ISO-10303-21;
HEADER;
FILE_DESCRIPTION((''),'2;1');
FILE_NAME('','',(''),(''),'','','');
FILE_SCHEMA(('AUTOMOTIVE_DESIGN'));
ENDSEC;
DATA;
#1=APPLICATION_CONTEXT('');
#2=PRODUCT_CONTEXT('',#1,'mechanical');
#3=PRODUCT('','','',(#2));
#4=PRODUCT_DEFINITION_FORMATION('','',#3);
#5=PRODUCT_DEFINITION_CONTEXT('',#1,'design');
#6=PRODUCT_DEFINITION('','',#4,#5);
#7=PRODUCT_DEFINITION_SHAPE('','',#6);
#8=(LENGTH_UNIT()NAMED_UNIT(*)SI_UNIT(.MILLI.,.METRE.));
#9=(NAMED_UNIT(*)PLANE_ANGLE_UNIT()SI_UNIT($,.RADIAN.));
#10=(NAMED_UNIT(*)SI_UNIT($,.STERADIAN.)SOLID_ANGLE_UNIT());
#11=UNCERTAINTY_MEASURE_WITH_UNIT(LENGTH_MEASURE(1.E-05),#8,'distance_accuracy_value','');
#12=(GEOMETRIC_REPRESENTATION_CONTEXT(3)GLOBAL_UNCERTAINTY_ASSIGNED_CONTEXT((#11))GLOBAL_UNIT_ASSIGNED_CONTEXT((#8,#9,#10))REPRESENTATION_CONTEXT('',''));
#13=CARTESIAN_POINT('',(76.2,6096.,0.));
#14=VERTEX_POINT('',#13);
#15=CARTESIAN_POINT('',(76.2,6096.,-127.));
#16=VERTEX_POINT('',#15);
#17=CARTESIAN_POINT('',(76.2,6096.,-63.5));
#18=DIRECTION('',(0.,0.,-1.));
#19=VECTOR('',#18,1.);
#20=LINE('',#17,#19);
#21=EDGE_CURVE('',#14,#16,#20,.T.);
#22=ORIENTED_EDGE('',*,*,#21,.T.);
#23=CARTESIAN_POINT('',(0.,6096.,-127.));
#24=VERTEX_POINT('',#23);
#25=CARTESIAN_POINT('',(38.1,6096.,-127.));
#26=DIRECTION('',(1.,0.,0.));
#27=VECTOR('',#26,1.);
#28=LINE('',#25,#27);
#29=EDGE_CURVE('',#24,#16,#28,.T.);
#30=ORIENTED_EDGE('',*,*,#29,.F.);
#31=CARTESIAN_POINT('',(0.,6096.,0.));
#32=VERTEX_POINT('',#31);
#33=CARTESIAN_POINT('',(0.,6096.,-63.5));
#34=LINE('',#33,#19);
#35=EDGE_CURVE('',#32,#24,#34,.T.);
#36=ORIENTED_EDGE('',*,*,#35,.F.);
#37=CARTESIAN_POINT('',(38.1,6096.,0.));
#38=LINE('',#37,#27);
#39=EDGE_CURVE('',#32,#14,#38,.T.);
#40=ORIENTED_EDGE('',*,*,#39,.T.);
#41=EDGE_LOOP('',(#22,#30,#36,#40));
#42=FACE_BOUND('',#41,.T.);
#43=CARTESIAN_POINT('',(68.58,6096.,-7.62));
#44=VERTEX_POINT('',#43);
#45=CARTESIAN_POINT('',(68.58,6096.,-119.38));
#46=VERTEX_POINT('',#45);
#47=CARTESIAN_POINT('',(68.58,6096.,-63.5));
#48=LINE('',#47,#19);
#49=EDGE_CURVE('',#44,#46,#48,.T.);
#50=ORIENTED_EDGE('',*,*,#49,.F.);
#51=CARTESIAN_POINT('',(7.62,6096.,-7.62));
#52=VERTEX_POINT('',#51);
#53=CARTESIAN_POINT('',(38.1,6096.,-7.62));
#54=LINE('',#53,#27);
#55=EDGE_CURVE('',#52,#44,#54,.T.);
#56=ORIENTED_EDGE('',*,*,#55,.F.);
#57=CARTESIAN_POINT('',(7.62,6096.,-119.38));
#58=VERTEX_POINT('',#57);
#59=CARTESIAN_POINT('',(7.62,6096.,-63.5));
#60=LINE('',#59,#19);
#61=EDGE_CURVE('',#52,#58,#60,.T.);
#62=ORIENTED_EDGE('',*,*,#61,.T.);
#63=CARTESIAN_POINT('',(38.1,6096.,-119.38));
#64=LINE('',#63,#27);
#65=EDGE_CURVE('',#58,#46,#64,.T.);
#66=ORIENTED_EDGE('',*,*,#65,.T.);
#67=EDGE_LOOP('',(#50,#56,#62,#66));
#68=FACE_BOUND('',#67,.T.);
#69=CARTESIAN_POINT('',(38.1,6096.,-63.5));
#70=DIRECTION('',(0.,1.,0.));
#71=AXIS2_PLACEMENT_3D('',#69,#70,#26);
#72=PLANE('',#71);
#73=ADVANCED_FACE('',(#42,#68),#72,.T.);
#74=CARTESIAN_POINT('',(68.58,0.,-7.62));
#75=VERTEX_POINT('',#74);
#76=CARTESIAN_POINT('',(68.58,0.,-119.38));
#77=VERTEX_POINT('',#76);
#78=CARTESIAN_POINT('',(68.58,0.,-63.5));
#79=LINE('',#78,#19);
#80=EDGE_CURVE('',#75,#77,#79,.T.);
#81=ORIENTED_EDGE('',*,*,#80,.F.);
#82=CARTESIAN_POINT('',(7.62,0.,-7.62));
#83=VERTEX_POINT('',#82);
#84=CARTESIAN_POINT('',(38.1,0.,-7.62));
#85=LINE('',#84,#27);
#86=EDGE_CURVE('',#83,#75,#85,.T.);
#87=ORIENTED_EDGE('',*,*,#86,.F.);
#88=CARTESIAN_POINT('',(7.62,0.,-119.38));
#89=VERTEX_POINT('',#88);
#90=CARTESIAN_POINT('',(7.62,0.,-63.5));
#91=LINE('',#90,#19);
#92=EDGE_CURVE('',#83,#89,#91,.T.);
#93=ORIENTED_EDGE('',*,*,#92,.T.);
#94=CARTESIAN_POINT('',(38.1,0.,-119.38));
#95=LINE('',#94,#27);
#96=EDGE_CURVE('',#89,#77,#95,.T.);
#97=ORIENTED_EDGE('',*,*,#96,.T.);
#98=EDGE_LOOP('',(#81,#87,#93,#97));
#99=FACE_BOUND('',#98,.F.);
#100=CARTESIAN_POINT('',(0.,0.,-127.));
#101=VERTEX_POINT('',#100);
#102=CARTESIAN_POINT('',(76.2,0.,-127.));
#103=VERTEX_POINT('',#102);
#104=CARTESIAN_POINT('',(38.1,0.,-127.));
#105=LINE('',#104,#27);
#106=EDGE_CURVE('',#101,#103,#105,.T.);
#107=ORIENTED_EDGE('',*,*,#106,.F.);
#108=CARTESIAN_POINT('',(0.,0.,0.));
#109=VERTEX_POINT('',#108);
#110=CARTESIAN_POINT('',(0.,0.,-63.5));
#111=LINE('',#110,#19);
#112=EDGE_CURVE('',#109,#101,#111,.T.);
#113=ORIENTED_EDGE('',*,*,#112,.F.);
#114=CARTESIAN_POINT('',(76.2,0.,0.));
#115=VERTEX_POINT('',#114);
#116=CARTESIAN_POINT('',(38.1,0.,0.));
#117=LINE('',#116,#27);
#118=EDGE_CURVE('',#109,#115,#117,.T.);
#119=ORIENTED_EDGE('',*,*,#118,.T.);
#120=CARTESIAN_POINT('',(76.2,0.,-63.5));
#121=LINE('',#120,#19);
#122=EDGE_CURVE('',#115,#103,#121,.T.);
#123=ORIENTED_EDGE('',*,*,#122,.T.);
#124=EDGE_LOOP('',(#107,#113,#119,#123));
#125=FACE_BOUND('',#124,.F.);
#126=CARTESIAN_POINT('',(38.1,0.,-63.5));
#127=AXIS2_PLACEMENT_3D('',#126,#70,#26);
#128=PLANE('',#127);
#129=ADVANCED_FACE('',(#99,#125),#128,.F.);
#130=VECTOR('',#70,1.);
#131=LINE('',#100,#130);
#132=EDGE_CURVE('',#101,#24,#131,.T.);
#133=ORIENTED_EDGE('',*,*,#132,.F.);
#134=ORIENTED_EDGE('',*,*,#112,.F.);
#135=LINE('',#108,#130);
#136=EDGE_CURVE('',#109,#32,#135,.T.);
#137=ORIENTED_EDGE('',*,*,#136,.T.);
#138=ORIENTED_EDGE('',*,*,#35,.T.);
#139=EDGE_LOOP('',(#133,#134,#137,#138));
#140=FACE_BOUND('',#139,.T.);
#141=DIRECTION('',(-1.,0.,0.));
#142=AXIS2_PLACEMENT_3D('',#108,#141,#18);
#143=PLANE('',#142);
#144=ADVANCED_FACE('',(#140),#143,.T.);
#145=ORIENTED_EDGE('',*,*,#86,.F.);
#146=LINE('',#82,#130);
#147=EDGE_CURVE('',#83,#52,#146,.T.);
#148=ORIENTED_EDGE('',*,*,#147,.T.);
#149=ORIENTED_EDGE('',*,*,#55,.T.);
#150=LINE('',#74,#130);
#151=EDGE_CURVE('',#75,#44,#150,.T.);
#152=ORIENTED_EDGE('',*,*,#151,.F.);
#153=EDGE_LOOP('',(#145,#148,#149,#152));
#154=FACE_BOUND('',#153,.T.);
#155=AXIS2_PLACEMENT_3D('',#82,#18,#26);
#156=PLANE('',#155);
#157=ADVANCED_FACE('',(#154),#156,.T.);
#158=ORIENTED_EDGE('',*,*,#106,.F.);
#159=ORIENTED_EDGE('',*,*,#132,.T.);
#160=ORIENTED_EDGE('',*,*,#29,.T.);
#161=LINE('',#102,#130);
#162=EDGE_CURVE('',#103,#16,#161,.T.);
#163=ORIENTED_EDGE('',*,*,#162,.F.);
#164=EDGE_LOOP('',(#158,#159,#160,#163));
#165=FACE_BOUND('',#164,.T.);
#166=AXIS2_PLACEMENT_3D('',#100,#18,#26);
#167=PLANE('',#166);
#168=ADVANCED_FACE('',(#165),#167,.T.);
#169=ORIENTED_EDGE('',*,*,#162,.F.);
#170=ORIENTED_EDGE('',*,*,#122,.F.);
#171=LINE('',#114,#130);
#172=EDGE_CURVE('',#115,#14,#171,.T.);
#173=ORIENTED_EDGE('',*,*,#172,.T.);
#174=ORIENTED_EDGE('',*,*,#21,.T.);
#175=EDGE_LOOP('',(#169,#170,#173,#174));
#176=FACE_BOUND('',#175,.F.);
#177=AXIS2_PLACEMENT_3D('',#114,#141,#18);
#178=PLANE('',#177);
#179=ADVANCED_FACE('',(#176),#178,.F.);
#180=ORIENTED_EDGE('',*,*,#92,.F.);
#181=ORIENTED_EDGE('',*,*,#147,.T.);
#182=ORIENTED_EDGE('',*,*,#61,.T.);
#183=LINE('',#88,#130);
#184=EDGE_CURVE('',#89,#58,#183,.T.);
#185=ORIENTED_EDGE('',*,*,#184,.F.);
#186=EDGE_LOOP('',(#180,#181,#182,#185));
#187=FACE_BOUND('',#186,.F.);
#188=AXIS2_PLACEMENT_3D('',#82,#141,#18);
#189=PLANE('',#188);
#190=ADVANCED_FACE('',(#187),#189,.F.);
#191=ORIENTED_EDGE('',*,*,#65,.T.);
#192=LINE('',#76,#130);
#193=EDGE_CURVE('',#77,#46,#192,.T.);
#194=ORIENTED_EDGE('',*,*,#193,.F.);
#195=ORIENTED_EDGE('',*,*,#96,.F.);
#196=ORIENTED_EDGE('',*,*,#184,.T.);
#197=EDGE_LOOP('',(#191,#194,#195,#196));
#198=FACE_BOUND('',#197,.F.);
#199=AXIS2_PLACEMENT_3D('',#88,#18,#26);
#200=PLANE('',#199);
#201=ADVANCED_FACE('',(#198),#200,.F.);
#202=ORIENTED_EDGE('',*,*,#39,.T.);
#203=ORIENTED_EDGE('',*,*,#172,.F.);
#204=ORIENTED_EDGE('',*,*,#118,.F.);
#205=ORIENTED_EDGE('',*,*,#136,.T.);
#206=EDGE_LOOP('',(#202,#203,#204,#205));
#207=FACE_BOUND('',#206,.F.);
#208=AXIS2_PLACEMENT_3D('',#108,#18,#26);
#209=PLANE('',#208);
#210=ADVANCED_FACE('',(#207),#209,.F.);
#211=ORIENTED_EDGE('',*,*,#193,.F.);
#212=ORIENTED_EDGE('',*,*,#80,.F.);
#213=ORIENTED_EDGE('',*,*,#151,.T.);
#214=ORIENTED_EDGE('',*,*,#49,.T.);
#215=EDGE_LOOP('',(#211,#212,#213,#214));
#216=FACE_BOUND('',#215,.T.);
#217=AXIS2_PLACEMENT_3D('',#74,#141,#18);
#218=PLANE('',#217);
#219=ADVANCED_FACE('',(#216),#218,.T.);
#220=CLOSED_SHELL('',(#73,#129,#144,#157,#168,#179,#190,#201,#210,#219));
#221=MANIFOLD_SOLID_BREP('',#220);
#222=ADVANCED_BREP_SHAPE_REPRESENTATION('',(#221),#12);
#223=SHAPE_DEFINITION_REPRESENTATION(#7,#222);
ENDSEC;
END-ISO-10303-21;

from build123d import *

# Parameters (mm, degrees)
SKETCH1_W           = 76.2
SKETCH1_H           = 127
SKETCH1_W_2         = 60.96
SKETCH1_H_2         = 111.76
BOSS_EXTRUDE1_DEPTH = 6096


with BuildPart() as part:
    # Sketch1 → Boss-Extrude1 (new body)
    with BuildSketch(Plane(origin=(0, 0, 0), x_dir=(1, 0, 0), z_dir=(0, 1, 0))):
        with Locations((38.1, 63.5)):
            Rectangle(SKETCH1_W, SKETCH1_H)
        with Locations((38.1, 63.5)):
            Rectangle(SKETCH1_W_2, SKETCH1_H_2, mode=Mode.SUBTRACT)
    extrude(amount=BOSS_EXTRUDE1_DEPTH)


solid = part.part
